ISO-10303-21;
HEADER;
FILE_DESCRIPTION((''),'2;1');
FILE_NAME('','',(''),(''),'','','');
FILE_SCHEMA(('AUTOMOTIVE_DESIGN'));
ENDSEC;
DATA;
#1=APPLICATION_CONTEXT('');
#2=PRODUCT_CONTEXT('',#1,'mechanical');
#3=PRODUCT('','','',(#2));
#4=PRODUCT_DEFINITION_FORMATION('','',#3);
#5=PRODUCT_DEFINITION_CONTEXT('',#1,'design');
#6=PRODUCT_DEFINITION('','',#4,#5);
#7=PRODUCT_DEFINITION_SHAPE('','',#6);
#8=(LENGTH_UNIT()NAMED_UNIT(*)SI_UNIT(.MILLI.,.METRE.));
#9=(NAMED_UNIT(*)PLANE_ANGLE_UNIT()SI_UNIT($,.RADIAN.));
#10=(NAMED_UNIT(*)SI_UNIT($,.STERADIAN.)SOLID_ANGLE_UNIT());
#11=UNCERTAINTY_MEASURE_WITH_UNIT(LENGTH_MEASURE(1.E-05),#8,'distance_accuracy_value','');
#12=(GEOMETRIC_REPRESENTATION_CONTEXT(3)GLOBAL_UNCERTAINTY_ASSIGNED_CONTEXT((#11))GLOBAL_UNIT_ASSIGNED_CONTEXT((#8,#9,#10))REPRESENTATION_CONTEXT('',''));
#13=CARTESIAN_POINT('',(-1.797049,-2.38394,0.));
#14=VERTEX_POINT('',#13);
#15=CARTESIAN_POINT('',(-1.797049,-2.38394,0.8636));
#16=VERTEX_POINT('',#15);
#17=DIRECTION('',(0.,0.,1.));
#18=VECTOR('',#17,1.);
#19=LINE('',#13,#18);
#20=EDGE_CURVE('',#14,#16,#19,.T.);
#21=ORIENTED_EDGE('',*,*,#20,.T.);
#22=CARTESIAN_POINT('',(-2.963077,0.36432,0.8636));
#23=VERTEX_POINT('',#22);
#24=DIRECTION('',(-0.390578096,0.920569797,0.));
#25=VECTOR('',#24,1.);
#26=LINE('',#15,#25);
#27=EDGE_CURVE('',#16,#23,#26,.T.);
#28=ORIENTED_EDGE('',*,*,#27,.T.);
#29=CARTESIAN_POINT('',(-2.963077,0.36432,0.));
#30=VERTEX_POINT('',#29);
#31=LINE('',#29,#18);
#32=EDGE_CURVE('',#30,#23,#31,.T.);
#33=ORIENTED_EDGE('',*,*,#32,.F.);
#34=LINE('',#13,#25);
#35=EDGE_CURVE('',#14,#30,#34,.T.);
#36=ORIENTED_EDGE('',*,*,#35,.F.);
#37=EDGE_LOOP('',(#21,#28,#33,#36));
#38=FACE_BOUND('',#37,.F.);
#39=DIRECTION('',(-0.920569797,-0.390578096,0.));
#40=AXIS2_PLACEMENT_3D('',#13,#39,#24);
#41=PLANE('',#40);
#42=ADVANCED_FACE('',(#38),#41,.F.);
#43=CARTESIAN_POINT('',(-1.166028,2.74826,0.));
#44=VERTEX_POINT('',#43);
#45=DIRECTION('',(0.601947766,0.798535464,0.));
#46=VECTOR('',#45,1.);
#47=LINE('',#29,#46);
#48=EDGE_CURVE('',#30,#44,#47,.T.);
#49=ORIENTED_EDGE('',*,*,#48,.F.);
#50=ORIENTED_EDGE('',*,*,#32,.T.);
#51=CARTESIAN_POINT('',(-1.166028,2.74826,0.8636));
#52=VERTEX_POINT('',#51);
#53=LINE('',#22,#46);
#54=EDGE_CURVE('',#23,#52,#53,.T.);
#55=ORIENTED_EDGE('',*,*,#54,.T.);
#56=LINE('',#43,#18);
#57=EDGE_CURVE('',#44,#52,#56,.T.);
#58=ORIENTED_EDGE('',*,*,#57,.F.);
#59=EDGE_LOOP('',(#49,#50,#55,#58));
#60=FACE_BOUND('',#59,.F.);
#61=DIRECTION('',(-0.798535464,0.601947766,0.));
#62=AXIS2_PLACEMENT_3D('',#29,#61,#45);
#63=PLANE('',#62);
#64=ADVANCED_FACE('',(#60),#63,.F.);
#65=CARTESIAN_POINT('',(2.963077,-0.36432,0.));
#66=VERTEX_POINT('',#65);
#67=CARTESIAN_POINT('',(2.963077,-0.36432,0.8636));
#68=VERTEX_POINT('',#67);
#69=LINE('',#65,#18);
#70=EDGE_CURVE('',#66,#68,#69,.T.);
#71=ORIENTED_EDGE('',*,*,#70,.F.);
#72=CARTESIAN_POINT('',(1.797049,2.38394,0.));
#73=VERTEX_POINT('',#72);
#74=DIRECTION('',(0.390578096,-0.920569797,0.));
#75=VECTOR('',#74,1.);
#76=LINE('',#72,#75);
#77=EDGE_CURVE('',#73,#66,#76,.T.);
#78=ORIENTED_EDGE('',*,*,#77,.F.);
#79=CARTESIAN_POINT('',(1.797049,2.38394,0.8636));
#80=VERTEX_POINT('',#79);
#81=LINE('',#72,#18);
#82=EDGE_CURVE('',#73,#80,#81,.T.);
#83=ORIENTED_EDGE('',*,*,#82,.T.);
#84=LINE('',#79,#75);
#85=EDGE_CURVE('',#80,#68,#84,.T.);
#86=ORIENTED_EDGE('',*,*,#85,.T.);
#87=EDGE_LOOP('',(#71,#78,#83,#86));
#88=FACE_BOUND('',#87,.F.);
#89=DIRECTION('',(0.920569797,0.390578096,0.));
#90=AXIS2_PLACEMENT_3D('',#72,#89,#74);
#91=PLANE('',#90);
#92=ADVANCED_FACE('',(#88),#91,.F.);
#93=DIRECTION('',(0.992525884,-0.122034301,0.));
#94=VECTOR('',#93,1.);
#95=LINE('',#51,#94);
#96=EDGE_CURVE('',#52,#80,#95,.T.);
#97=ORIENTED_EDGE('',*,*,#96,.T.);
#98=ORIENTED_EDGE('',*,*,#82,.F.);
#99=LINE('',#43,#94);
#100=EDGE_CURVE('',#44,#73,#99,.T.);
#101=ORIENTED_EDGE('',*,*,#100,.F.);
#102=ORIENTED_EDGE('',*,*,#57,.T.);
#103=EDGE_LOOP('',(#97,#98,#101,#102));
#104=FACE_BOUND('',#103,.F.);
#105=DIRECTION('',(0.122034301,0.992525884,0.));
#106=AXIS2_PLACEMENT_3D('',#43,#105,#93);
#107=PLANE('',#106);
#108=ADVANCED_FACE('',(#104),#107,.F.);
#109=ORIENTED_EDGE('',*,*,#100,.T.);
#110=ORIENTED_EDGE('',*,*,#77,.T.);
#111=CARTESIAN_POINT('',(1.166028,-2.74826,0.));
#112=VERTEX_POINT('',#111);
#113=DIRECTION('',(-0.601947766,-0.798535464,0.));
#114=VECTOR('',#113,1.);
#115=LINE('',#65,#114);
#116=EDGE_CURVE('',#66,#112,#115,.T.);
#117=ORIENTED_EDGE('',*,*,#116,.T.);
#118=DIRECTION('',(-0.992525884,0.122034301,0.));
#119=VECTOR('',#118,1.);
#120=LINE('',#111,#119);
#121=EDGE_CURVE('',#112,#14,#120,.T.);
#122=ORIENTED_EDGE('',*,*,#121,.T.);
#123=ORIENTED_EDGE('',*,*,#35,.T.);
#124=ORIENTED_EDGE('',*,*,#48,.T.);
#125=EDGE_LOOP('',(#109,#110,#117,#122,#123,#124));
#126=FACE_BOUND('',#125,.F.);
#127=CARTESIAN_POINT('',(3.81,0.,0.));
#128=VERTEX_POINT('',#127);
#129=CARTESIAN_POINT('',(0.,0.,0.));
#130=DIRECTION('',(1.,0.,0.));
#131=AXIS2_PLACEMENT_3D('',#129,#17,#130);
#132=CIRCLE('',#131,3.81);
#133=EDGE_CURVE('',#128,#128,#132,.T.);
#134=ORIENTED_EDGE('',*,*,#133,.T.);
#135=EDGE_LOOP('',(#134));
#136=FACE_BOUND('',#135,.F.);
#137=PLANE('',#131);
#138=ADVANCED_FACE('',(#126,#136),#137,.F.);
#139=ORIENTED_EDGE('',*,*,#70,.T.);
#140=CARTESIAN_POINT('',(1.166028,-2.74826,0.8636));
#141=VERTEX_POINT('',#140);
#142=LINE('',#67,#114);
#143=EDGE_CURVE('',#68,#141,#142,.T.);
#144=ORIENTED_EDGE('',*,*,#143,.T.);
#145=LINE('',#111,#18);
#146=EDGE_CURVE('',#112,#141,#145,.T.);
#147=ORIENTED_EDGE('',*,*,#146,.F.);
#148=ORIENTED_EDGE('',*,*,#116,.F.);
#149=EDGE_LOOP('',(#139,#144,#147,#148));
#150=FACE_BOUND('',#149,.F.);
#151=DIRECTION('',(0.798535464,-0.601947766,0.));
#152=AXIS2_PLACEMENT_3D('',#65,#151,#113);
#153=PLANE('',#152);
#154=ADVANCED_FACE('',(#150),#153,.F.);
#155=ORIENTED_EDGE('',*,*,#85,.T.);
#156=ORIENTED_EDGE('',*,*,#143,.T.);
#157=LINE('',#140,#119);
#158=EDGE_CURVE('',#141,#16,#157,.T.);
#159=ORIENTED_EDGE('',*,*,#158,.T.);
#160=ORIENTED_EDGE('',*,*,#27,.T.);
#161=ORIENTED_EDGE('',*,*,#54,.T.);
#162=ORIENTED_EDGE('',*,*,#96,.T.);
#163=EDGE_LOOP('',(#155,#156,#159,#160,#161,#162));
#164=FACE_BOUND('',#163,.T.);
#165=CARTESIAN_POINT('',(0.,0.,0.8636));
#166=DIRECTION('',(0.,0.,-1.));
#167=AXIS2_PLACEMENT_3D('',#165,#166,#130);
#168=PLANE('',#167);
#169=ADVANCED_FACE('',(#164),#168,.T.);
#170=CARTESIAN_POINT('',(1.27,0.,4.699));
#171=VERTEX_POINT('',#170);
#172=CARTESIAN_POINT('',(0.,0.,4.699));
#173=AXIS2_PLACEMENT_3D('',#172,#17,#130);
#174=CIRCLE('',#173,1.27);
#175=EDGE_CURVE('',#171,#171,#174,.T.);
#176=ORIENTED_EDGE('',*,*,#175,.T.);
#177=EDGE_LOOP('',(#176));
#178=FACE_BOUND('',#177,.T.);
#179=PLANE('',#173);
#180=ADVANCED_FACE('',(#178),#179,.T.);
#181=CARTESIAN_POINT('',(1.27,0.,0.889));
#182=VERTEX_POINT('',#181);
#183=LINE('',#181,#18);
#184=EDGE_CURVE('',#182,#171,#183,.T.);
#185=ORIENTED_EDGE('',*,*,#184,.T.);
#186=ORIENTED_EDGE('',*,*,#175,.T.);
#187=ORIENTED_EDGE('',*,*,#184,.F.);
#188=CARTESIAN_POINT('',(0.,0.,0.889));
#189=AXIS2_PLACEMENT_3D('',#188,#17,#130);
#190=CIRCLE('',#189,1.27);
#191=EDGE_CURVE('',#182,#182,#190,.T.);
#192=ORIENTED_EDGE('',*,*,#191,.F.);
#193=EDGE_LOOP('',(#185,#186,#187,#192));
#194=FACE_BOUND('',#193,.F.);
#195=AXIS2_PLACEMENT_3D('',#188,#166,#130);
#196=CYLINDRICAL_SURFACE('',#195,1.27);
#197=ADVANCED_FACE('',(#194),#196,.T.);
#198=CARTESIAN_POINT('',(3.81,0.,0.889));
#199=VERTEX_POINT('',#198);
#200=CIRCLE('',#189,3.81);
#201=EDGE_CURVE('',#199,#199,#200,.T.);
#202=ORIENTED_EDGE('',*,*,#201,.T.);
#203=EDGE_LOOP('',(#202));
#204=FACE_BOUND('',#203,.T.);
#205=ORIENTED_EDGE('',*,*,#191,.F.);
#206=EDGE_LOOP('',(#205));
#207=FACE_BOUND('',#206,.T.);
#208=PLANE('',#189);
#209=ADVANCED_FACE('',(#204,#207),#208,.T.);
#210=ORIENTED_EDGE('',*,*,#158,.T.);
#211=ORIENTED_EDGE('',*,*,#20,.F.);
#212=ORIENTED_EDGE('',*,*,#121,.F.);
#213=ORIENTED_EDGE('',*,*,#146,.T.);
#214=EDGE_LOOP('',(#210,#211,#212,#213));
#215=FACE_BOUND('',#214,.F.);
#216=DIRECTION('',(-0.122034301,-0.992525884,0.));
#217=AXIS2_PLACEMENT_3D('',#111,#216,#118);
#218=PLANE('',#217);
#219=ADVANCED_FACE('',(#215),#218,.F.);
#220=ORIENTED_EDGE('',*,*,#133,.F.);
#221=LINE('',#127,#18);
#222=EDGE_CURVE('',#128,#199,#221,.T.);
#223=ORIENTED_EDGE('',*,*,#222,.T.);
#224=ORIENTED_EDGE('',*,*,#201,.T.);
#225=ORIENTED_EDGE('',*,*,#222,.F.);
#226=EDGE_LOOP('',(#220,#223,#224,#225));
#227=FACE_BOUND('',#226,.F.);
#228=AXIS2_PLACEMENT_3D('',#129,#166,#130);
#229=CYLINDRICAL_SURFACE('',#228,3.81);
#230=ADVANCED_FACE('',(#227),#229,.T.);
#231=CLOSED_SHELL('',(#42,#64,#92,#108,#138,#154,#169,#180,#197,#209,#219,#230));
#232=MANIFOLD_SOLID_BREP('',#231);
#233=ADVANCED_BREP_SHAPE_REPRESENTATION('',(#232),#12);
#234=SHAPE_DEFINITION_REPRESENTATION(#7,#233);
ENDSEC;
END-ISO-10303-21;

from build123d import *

# Parameters (mm, degrees)
F0_R     = 3.81
F1_DEPTH = 0.889
F2_R     = 1.27
F3_DEPTH = 3.81
F5_DEPTH = 0.8636


with BuildPart() as f1:
    # F0 (on Top) → F1 (new body)
    with BuildSketch(Plane.XY):
        Circle(F0_R)
    extrude(amount=F1_DEPTH)

    # F2 (on face) → F3 (join)
    with BuildSketch(Plane.XY.offset(0.889)):
        Circle(F2_R)
    extrude(amount=F3_DEPTH)

    # F4 (on face) → F5 (cut)
    with BuildSketch(Plane(origin=(0, 0, 0), x_dir=(1, 0, 0), z_dir=(0, 0, -1))):
        Polygon((2.963077, 0.36432), (1.166028, 2.74826), (-1.797049, 2.38394), (-2.963077, -0.36432), (-1.166028, -2.74826), (1.797049, -2.38394), align=None)
    extrude(amount=-F5_DEPTH, mode=Mode.SUBTRACT)


solid = f1.part
